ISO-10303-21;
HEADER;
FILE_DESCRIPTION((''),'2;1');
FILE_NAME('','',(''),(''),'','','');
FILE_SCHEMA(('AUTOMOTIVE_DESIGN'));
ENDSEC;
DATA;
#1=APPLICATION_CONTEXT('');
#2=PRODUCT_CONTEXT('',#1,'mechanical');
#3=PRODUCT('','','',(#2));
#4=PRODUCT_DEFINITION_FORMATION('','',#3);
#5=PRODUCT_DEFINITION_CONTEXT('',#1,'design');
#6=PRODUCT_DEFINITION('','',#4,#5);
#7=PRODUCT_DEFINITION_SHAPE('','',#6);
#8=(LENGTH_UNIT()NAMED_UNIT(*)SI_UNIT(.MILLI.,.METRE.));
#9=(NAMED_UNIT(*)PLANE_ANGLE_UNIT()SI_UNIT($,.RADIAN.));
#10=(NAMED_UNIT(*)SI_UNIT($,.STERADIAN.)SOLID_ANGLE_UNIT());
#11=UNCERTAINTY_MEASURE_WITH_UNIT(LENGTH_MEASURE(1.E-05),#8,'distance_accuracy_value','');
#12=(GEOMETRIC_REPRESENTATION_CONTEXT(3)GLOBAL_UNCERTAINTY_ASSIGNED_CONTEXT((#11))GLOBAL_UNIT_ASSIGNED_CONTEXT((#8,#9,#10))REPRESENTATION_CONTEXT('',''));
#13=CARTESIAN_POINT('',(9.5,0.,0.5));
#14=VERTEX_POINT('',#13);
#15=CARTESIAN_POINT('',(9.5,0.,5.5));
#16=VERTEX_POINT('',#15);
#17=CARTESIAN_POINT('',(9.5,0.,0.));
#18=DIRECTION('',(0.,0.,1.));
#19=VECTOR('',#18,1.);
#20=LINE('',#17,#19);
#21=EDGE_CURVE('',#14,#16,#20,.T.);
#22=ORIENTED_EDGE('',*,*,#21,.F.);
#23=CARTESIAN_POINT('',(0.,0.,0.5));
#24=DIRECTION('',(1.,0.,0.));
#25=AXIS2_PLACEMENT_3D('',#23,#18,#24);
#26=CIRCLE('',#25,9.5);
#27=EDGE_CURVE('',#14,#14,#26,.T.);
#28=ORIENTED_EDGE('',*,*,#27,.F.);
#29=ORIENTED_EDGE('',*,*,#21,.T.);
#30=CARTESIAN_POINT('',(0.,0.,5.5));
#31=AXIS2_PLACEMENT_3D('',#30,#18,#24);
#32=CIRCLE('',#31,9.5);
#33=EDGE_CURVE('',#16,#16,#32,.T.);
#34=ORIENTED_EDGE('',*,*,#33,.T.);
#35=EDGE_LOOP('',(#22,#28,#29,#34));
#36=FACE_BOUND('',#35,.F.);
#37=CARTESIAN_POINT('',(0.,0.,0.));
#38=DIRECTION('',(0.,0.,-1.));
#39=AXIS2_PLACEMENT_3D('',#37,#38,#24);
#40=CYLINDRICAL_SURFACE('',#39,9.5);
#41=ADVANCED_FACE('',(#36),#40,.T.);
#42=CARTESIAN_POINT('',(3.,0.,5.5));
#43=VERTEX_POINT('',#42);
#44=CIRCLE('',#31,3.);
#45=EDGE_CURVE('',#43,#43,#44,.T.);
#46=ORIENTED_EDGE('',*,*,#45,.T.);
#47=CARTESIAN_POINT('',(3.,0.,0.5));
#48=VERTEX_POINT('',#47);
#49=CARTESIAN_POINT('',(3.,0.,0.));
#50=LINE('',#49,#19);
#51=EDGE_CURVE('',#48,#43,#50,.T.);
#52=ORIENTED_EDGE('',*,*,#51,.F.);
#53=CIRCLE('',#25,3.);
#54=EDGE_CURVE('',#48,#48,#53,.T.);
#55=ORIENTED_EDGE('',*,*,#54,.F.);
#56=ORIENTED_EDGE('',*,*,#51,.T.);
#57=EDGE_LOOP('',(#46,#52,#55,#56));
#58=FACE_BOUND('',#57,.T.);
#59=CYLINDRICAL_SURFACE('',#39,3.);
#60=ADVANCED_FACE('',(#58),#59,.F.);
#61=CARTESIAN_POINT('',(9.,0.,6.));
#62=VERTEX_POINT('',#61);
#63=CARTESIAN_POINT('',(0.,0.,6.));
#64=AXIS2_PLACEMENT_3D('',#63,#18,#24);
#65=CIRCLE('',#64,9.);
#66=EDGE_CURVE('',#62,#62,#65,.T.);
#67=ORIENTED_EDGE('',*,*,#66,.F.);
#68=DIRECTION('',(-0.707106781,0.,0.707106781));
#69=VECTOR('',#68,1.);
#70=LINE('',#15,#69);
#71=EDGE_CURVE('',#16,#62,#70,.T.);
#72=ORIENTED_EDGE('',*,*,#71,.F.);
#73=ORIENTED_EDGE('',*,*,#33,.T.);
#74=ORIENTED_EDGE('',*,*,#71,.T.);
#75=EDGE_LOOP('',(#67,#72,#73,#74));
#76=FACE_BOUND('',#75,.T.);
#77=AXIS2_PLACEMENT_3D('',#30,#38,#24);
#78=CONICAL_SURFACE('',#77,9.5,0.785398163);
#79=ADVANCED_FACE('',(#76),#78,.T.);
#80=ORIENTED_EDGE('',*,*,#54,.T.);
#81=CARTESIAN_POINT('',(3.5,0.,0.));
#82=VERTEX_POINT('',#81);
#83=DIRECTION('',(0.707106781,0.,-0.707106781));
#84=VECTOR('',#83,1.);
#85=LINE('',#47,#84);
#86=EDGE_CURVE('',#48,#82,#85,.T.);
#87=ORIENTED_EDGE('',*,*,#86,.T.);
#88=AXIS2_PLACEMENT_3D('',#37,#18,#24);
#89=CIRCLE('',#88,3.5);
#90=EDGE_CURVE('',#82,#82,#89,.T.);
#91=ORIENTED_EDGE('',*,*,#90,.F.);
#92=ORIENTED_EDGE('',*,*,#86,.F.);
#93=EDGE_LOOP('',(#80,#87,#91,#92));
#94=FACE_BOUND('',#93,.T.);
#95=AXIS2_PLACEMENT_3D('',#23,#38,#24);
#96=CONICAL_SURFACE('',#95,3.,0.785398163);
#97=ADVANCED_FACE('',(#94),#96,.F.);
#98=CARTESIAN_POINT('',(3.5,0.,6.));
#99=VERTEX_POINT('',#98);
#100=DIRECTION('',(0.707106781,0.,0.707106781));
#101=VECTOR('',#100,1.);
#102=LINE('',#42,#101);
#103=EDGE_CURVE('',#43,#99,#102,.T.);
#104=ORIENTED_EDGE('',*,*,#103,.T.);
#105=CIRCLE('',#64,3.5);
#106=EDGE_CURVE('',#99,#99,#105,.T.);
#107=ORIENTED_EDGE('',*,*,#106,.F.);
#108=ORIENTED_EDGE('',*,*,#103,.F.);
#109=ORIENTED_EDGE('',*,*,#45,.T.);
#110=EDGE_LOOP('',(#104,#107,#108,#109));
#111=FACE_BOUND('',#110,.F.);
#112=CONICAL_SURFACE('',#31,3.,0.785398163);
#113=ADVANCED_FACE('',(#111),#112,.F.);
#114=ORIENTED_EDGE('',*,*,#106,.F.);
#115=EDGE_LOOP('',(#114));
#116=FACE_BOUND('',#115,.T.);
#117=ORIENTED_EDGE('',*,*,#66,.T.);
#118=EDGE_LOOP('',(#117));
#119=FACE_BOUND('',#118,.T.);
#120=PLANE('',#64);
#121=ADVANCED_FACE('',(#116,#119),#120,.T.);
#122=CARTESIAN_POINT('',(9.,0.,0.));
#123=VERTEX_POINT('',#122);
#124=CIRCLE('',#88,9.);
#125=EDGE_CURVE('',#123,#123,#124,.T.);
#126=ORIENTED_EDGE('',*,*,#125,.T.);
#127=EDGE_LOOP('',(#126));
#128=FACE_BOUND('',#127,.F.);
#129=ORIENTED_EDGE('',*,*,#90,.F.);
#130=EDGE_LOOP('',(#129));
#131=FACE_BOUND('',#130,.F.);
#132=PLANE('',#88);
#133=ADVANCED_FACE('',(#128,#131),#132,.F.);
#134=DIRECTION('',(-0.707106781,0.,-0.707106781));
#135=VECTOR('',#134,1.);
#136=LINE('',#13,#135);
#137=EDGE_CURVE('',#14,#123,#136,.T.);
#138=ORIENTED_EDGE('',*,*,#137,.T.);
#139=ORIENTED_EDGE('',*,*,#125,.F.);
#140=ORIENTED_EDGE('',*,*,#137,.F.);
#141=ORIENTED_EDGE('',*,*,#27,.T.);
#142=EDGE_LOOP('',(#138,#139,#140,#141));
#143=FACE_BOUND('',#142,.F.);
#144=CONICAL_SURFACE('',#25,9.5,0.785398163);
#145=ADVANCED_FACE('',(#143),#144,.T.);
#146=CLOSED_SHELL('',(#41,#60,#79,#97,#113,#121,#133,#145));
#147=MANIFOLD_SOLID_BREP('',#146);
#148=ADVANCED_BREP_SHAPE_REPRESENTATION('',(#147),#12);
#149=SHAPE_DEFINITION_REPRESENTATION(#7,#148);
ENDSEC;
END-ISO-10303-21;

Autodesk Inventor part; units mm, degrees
ref_plane "YZ Plane" through (0, 0, 0) normal (1, 0, 0) x (0, 1, 0)
ref_plane "XZ Plane" through (0, 0, 0) normal (0, 1, 0) x (-1, 0, 0)
ref_plane "XY Plane" through (0, 0, 0) normal (0, 0, 1) x (1, 0, 0)
sketch "スケッチ1" plane through (0, 0, 0) normal (0, 0, 1) x (1, 0, 0)
  circle A0 centre (0, 0) radius 3
  circle A1 centre (0, 0) radius 9.5
  dimension "d0" = 6
  dimension "d1" = 19
extrude "押し出し1" add sketch "スケッチ1" along normal blind 6
chamfer "面取り1" distance 0.5 angle 45 4 edges at (-9.5, 0, 6) (-9.5, 0, 0) (-3, 0, 6) (-3, 0, 0)
properties part number "ベアリング_6-19-6"
